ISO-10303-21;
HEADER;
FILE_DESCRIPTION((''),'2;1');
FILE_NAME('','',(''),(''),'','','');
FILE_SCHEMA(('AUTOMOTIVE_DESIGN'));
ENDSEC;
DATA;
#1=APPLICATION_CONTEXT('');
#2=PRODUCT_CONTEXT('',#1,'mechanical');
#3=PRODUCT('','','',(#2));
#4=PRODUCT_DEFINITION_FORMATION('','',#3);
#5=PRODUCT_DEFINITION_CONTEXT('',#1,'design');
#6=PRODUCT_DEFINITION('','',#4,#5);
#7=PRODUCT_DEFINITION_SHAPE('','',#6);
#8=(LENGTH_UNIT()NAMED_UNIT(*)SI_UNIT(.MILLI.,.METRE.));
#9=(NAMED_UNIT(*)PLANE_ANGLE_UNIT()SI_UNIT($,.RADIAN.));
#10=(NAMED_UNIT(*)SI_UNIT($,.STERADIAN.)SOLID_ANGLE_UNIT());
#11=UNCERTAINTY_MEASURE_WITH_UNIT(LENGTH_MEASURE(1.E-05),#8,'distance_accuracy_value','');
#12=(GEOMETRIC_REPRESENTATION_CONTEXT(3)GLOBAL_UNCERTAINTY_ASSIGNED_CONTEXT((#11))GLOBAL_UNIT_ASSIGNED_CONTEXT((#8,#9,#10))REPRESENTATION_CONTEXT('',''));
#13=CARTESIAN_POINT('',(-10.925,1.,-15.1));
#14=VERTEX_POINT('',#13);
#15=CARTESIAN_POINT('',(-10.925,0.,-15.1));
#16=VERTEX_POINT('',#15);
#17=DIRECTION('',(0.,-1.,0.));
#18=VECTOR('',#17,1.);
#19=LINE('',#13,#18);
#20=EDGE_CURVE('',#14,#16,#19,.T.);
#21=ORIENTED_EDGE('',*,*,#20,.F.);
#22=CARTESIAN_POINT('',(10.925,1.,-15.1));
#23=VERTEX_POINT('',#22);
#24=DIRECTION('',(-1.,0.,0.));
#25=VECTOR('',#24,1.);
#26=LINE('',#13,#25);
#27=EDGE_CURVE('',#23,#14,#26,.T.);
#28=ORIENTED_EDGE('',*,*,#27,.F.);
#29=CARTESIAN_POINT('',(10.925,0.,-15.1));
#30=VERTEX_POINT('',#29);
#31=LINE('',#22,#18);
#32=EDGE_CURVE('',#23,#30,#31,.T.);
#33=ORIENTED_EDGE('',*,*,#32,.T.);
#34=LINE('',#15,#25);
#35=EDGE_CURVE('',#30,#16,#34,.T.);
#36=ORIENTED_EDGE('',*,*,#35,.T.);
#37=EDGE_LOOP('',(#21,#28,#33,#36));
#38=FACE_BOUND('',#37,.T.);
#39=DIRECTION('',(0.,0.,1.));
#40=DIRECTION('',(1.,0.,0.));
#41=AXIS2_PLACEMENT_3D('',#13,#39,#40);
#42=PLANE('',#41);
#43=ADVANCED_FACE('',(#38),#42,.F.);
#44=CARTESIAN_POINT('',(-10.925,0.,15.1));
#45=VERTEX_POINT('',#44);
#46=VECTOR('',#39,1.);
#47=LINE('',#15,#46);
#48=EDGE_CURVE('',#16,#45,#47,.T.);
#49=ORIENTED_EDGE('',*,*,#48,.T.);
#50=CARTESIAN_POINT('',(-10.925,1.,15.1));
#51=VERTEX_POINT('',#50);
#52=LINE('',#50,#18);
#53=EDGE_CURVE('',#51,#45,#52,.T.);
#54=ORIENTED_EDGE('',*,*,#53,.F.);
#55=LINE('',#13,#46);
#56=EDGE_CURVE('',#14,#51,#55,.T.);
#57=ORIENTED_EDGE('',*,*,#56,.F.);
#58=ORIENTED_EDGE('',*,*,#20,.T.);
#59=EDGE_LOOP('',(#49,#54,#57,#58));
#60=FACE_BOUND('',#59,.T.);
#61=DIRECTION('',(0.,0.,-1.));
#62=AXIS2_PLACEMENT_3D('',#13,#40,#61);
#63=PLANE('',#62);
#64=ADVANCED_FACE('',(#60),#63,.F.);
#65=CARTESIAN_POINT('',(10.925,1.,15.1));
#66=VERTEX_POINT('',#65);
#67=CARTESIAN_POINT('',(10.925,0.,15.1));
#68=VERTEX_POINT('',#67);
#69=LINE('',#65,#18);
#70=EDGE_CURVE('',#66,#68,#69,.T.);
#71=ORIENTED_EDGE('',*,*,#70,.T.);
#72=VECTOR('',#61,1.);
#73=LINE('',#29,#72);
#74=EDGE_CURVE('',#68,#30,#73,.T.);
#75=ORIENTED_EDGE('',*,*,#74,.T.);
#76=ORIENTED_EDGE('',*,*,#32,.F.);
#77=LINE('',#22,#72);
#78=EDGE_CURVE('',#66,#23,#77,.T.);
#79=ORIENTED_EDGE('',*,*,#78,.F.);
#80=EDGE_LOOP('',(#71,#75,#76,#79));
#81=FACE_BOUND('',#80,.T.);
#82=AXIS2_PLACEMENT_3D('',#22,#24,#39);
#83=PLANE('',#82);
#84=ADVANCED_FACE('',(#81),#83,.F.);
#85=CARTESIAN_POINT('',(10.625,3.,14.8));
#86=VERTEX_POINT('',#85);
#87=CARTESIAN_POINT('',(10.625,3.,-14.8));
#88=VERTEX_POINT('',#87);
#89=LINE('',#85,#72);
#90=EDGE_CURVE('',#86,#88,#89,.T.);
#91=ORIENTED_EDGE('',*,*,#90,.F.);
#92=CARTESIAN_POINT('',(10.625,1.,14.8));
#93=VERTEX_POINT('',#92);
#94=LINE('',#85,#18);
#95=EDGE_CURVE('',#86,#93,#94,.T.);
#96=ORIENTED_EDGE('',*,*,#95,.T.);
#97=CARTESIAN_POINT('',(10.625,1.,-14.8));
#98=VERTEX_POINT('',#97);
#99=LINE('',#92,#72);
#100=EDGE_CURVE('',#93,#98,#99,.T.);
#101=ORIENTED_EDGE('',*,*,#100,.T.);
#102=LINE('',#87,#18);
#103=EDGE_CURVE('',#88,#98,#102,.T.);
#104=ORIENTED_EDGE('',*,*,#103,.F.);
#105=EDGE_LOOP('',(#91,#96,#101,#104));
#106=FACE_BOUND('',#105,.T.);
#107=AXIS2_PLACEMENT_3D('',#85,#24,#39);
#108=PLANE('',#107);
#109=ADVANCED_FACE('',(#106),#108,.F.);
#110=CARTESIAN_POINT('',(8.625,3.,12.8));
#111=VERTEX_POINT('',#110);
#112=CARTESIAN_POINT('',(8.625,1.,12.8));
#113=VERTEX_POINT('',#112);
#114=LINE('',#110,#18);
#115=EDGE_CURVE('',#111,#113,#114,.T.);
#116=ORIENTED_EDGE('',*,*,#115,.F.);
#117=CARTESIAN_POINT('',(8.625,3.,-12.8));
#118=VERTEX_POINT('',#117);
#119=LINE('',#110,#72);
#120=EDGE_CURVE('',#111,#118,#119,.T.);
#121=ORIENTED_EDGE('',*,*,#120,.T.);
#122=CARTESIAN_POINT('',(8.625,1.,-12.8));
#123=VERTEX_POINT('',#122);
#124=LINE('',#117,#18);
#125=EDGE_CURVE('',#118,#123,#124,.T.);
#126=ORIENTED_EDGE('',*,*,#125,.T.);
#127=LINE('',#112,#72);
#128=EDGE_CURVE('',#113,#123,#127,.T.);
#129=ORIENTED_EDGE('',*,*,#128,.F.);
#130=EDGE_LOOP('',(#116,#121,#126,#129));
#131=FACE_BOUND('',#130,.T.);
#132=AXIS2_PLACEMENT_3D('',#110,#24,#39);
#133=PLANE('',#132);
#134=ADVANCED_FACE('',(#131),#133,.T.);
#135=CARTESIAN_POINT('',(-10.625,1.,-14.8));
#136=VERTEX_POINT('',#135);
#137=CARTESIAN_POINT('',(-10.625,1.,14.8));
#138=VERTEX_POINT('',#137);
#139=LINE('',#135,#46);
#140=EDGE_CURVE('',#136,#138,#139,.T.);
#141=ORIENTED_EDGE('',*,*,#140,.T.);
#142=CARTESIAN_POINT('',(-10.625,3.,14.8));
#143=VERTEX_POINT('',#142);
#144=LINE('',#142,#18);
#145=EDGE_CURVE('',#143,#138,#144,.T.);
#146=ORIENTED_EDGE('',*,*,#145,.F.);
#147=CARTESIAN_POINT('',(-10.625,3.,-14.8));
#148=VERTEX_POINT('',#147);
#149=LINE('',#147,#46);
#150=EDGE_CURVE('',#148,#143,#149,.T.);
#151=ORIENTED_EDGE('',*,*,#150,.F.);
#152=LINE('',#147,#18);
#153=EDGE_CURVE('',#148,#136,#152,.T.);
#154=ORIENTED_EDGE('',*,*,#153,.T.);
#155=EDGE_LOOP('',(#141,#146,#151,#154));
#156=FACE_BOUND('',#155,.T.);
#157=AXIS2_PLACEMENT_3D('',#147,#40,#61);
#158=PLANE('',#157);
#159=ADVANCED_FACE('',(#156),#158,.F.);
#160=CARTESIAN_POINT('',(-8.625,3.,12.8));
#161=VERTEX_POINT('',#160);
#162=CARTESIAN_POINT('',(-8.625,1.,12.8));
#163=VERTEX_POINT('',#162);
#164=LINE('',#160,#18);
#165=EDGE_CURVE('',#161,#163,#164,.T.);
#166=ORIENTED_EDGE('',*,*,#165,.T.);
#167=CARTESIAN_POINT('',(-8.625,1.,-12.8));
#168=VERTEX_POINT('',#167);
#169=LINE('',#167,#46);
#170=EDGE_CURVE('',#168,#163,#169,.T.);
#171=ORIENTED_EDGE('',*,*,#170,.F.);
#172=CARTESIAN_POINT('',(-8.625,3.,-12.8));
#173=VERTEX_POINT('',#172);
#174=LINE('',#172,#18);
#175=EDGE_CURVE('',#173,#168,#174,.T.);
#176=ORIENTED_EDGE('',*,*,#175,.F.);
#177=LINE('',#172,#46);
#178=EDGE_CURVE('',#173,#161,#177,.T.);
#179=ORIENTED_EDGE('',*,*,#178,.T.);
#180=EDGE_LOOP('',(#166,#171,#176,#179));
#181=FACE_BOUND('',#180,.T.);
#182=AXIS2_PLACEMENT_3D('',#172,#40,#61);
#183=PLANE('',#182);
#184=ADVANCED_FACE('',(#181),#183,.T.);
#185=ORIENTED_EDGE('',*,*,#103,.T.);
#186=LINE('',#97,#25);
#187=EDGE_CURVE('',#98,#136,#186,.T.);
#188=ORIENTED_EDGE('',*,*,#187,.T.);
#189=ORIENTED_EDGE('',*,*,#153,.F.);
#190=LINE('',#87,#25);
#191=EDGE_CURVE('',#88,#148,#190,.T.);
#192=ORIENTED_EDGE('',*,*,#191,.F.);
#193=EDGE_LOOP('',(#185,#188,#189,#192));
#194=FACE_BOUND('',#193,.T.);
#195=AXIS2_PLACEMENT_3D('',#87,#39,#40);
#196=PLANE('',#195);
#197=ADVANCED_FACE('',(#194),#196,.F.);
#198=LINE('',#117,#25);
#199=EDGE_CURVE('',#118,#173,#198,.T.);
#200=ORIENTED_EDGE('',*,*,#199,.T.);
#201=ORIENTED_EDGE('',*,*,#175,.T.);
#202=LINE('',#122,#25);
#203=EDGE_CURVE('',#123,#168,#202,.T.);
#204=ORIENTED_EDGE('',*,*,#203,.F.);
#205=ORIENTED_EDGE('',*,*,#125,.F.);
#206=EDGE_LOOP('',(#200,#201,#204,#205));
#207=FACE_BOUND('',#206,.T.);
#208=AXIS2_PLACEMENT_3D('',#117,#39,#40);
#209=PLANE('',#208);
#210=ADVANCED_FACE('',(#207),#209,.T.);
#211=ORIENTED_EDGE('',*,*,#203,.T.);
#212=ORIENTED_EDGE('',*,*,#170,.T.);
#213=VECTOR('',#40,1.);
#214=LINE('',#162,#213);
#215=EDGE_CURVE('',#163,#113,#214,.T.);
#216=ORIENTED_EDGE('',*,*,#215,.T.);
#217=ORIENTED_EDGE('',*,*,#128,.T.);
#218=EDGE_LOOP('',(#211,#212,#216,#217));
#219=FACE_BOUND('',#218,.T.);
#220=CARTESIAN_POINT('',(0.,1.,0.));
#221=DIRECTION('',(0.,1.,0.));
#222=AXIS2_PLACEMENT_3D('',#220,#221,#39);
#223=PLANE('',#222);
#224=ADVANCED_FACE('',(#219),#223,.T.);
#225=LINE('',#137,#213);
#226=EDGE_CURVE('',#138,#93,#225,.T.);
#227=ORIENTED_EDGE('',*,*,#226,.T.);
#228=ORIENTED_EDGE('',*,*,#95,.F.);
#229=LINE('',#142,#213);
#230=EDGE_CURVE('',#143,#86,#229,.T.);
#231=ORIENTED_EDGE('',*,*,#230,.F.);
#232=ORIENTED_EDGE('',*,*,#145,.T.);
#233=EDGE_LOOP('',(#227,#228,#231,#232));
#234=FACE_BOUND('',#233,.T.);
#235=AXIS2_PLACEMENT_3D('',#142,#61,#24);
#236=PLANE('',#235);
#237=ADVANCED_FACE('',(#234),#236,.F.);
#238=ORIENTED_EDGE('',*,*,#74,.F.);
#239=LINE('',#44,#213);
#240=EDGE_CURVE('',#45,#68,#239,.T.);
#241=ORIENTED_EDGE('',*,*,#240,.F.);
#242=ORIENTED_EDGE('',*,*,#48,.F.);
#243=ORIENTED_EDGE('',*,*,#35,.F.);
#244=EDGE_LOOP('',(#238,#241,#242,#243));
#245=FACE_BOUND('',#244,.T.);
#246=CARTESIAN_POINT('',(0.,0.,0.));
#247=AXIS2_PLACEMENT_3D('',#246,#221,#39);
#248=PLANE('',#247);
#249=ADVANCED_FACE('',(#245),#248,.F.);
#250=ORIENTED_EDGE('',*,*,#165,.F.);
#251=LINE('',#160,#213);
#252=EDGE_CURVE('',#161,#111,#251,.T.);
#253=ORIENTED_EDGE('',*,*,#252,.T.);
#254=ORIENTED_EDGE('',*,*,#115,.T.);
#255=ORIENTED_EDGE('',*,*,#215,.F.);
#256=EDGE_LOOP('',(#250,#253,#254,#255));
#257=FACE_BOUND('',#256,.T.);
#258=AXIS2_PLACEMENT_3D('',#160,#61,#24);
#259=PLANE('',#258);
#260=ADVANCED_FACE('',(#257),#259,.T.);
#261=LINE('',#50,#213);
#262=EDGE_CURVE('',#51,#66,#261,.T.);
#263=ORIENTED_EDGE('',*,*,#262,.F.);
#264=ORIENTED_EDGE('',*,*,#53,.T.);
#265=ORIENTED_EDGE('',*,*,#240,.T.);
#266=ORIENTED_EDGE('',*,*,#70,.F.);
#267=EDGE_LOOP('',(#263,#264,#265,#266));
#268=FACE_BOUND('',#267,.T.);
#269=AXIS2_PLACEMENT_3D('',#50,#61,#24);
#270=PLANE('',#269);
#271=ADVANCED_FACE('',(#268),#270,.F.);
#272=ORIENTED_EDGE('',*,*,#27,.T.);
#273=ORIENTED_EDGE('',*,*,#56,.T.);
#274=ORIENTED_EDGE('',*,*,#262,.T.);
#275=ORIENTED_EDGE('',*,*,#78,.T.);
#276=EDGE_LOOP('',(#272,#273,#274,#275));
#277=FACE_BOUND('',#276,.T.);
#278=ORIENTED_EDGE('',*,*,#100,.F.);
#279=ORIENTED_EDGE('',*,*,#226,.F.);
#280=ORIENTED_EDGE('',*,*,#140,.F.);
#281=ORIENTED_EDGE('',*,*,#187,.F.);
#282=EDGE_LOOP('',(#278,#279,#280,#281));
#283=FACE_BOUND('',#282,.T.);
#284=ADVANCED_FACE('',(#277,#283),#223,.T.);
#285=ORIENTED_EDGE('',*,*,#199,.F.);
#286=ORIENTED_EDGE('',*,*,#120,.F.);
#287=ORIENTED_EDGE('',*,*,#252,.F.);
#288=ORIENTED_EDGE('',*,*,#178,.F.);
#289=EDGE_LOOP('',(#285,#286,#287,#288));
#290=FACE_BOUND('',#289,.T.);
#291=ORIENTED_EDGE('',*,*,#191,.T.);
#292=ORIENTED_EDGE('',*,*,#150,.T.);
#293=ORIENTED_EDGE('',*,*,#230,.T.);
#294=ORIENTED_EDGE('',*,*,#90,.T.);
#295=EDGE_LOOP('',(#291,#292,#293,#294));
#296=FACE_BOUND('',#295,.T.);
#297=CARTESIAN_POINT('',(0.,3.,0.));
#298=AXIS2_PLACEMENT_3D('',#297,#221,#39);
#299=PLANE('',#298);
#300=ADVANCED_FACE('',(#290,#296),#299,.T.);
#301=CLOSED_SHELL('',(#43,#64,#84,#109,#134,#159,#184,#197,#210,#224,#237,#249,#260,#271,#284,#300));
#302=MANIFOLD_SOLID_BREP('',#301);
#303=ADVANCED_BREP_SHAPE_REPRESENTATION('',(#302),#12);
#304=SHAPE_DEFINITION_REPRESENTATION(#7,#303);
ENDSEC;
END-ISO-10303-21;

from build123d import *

# Parameters (mm, degrees)
SKETCH1_W           = 21.85
SKETCH1_H           = 30.2
BOSS_EXTRUDE1_DEPTH = 1
SKETCH2_W           = 21.25
SKETCH2_H           = 29.6
SKETCH2_W_2         = 17.25
SKETCH2_H_2         = 25.6
BOSS_EXTRUDE2_DEPTH = 2


with BuildPart() as part:
    # Sketch1 → Boss-Extrude1 (new body)
    with BuildSketch(Plane(origin=(0, 0, 0), x_dir=(1, 0, 0), z_dir=(0, 1, 0))):
        Rectangle(SKETCH1_W, SKETCH1_H)
    extrude(amount=BOSS_EXTRUDE1_DEPTH)

    # Sketch2 → Boss-Extrude2 (add)
    with BuildSketch(Plane(origin=(0, 1, 0), x_dir=(1, 0, 0), z_dir=(0, 1, 0))):
        Rectangle(SKETCH2_W, SKETCH2_H)
        Rectangle(SKETCH2_W_2, SKETCH2_H_2, mode=Mode.SUBTRACT)
    extrude(amount=BOSS_EXTRUDE2_DEPTH)


solid = part.part
